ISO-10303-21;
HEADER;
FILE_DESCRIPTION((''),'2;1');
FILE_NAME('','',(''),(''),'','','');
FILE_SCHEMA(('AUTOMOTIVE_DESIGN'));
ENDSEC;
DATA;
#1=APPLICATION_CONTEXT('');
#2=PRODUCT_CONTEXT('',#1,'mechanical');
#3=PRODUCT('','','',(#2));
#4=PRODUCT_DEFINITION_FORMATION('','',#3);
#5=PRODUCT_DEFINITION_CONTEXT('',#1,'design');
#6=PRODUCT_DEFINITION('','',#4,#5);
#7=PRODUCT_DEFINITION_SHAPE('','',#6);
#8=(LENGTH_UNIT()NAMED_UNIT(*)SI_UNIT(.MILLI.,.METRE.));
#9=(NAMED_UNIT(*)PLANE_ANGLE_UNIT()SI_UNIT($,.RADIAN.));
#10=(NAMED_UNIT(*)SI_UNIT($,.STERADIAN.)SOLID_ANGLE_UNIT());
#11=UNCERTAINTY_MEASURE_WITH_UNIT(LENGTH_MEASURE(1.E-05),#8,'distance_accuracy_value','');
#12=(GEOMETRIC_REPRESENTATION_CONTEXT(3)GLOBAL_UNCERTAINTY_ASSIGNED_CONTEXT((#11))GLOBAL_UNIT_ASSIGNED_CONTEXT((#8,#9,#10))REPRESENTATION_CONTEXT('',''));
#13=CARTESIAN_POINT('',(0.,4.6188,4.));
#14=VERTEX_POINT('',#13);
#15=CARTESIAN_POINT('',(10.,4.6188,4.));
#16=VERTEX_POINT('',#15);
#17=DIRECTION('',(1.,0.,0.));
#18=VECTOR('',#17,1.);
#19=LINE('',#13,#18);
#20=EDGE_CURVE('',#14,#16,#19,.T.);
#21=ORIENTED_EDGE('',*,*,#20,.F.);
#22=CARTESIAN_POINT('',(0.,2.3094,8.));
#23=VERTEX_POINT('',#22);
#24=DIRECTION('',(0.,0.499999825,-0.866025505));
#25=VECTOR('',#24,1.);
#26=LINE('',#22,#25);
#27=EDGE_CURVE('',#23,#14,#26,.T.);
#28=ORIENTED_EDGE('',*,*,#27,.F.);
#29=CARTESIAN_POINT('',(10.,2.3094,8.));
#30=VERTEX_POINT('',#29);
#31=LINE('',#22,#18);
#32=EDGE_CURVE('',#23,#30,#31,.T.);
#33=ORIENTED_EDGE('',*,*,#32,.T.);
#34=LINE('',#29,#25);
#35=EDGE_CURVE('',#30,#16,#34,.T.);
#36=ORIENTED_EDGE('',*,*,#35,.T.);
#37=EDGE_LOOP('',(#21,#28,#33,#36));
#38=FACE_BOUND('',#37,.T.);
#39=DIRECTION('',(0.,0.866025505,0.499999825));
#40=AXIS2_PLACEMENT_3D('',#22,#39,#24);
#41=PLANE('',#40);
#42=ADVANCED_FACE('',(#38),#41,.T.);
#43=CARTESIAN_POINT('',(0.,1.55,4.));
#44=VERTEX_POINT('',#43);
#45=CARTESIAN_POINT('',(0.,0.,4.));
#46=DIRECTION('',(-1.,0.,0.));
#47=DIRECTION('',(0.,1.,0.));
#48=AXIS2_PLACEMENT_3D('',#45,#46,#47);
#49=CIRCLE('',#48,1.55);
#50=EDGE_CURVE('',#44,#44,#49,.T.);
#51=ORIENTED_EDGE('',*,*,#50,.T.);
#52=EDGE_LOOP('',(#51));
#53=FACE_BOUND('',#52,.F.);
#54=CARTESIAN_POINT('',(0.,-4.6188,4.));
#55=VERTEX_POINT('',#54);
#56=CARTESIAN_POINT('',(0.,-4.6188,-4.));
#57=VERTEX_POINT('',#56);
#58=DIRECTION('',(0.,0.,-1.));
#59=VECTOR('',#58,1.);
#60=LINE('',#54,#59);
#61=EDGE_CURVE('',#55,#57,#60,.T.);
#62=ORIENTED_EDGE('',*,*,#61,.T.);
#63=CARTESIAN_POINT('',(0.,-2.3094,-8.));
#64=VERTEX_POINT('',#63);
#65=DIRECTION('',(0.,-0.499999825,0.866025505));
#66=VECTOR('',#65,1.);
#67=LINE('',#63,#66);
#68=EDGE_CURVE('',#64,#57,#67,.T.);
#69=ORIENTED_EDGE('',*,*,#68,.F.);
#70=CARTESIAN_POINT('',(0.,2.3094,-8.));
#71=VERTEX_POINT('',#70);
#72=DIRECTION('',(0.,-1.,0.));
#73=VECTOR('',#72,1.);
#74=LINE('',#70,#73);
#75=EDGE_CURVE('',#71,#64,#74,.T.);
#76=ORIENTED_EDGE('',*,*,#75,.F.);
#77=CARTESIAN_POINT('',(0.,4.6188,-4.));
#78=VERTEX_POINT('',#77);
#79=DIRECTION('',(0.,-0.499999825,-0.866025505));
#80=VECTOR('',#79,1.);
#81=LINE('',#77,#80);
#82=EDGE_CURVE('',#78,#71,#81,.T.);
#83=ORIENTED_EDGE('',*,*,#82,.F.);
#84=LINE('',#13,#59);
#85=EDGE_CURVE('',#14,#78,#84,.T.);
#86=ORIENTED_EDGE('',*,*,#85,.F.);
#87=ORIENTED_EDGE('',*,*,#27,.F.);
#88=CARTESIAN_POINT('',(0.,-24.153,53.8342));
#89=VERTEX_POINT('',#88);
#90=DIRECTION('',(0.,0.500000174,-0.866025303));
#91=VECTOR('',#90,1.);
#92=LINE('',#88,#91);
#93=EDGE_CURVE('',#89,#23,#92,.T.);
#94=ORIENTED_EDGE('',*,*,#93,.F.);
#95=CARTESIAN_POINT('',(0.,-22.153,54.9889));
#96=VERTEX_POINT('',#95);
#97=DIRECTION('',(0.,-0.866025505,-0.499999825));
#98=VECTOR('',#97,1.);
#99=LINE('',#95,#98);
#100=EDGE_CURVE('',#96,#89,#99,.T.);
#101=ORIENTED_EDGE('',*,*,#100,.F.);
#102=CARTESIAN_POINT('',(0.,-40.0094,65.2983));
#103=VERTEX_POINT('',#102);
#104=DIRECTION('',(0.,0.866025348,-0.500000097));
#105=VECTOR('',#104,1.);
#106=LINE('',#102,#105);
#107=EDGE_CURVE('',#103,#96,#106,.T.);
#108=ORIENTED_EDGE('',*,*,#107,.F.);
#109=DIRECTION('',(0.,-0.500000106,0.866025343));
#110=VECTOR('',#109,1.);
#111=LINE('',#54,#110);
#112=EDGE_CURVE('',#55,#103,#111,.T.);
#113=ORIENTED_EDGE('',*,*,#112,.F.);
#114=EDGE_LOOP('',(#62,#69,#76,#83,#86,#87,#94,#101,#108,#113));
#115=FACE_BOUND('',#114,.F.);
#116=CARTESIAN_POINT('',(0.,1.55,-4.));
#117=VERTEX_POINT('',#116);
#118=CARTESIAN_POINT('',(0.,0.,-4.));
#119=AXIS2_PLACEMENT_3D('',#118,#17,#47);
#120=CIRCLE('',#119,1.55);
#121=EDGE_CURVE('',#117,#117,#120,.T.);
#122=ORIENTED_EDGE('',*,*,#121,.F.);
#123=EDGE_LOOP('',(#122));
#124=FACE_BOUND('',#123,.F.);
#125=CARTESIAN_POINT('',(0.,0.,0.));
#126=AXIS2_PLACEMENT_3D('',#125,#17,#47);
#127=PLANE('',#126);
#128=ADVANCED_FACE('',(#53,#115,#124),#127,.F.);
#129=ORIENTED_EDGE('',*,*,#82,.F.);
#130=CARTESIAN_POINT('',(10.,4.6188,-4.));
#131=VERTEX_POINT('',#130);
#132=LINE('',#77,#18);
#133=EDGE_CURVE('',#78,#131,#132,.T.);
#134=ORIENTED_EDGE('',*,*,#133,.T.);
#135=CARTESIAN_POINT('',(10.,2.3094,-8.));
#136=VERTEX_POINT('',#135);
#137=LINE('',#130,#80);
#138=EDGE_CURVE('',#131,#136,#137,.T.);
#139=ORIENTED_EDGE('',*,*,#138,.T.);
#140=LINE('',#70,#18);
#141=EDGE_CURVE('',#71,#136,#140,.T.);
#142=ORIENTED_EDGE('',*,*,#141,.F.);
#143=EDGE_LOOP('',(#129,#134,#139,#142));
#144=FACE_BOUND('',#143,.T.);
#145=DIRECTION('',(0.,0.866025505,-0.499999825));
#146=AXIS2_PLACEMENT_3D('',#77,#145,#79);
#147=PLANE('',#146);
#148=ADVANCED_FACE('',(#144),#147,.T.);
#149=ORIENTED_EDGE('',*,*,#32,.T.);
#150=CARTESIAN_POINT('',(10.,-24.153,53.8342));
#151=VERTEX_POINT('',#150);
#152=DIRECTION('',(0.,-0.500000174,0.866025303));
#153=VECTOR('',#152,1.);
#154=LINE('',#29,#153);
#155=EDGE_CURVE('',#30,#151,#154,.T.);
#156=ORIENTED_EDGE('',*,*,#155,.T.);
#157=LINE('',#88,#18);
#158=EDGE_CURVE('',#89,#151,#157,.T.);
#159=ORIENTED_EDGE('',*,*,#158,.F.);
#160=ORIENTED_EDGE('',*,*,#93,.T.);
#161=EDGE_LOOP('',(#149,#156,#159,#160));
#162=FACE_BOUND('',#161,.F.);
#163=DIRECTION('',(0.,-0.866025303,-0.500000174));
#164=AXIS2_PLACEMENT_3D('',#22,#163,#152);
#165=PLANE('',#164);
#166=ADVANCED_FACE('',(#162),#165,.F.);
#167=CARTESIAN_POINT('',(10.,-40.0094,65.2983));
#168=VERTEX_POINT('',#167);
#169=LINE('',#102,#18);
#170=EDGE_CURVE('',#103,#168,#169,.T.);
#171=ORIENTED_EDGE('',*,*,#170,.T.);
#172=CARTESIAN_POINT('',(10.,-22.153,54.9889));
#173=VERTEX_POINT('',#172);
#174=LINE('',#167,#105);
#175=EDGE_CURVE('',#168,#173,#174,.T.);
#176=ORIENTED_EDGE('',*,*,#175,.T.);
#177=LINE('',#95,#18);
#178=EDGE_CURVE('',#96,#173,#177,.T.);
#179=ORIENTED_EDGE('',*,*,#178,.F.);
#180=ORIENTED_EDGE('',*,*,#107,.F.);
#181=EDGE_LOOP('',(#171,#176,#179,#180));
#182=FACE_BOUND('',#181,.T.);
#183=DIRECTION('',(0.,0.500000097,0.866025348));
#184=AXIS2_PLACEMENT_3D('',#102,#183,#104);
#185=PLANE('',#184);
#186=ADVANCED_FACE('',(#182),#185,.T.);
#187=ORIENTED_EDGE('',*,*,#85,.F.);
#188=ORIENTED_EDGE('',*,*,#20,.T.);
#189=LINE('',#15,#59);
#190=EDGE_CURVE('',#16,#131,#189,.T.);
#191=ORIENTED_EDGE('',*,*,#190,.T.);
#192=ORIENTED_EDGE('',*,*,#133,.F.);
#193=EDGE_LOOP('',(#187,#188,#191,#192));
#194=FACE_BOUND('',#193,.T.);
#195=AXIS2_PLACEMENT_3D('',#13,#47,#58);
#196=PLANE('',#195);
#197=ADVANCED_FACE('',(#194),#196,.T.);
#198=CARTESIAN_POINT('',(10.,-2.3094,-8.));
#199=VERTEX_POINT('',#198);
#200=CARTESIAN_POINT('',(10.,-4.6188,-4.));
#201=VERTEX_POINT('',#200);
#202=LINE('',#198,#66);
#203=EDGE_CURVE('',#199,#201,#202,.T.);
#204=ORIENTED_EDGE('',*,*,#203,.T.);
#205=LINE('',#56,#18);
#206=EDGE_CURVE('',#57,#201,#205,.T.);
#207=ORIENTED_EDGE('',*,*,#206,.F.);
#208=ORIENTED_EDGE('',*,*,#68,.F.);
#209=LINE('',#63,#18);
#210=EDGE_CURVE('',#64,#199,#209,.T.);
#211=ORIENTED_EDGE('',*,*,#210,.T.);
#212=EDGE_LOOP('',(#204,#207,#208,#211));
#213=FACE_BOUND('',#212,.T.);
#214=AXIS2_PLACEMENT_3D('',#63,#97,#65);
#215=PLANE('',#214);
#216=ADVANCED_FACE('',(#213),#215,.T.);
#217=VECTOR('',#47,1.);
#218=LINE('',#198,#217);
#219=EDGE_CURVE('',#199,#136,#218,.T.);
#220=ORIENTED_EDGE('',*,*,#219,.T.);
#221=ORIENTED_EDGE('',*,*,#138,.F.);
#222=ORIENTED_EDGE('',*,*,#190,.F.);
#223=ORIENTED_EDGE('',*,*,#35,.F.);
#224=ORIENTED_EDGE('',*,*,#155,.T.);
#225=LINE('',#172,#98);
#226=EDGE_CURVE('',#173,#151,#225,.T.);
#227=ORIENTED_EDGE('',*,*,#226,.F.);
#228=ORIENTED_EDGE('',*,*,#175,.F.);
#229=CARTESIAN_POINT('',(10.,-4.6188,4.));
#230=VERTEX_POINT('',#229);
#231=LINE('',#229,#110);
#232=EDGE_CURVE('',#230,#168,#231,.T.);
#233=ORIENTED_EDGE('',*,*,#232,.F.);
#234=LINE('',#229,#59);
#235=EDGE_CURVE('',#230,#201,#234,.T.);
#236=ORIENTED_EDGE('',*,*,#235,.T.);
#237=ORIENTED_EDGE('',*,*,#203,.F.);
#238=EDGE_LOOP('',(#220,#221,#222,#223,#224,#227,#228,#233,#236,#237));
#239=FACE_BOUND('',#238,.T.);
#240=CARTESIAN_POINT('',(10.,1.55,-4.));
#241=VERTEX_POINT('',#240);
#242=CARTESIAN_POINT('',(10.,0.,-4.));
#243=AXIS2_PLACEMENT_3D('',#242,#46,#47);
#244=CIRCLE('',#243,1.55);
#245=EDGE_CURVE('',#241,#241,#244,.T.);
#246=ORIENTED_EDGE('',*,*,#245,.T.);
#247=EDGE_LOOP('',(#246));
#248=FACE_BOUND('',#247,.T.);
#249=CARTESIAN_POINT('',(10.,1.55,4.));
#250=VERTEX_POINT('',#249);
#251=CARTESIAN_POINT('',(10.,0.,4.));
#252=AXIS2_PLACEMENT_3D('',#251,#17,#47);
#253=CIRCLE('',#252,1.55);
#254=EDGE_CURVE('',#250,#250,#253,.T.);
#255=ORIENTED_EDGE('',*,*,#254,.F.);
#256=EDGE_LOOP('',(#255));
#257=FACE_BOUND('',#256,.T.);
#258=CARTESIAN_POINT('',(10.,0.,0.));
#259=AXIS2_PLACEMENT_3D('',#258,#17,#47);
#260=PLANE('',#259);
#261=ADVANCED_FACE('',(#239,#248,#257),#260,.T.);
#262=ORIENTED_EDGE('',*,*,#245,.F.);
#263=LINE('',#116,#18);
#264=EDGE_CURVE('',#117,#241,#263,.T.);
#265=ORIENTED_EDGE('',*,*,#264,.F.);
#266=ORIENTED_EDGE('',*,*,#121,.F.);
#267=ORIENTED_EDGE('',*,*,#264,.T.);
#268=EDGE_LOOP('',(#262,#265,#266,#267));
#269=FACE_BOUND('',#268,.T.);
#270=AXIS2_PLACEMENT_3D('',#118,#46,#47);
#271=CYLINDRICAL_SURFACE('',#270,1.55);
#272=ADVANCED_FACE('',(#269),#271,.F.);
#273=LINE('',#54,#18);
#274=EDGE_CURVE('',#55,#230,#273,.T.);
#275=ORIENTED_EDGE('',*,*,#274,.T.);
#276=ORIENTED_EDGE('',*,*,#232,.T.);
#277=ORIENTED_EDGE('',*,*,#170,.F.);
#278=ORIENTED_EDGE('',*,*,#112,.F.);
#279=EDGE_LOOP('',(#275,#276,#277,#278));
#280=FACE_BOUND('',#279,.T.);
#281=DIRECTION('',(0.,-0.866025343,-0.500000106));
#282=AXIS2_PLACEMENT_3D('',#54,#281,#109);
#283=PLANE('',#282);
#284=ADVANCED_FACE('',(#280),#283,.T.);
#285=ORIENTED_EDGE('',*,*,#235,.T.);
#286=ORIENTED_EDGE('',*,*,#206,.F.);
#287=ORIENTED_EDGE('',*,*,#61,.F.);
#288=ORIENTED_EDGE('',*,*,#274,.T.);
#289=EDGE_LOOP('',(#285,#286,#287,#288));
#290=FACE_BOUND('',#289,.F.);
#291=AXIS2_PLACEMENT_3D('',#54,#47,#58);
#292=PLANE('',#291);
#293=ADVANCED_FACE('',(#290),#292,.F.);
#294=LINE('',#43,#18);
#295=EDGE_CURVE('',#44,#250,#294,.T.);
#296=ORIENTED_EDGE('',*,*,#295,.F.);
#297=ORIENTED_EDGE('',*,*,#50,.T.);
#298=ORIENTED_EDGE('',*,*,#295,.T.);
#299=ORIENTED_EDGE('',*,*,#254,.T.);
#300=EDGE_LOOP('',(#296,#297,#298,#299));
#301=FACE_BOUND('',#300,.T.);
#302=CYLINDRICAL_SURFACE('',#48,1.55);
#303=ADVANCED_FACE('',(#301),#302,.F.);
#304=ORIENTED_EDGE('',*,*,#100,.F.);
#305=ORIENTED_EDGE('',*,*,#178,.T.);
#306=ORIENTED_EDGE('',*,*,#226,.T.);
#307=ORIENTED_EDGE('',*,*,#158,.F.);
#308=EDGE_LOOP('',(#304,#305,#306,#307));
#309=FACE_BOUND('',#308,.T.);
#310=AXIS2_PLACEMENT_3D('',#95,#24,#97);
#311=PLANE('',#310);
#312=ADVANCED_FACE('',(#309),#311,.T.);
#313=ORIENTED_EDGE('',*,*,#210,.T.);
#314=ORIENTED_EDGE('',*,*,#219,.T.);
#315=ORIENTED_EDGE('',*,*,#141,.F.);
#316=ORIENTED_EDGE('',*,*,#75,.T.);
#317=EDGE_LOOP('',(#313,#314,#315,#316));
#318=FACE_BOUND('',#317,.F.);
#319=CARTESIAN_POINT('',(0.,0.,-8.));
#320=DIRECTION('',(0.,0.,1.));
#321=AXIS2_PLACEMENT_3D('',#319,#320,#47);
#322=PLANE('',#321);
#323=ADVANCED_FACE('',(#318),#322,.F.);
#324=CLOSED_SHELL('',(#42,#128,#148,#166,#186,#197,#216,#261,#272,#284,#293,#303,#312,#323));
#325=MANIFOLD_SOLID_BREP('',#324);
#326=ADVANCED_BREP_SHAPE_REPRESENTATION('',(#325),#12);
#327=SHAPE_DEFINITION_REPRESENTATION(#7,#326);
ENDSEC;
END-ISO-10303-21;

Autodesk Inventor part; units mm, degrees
ref_plane "YZ Plane" through (0, 0, 0) normal (1, 0, 0) x (0, 1, 0)
ref_plane "XZ Plane" through (0, 0, 0) normal (0, 1, 0) x (-1, 0, 0)
ref_plane "XY Plane" through (0, 0, 0) normal (0, 0, 1) x (1, 0, 0)
sketch "Sketch1" plane through (0, 0, 0) normal (1, 0, 0) x (0, 1, 0)
  line L0 (2.3094, 8) -> (-2.3094, 8)
  line L1 (-2.3094, 8) -> (-2.3094, -8)
  line L2 (-2.3094, -8) -> (2.3094, -8)
  line L3 (2.3094, -8) -> (2.3094, 8)
  line L4 (2.3094, 8) -> (-2.3094, -8) construction
  line L5 (-2.3094, 8) -> (2.3094, -8) construction
  line L6 (2.3094, 8) -> (-24.153, 53.8342)
  line L7 (2.3094, -8) -> (-2.3094, -8)
  line L8 (-2.3094, -8) -> (-4.6188, -4)
  line L9 (-4.6188, -4) -> (-2.3094, 0)
  line L10 (-2.3094, 0) -> (2.3094, 0)
  line L11 (2.3094, 0) -> (4.6188, -4)
  line L12 (4.6188, -4) -> (2.3094, -8)
  line L13 (0, -22.6597) -> (0, 79.958) projected
  line L14 (2.3094, 8) -> (4.6188, 4)
  line L15 (4.6188, 4) -> (2.3094, 0)
  line L16 (2.3094, 0) -> (-2.3094, 0)
  line L17 (-2.3094, 0) -> (-4.6188, 4)
  line L18 (-4.6188, 4) -> (-2.3094, 8)
  line L19 (-2.3094, 8) -> (2.3094, 8)
  line L20 (4.6188, 4) -> (4.6188, -4)
  line L21 (-4.6188, 4) -> (-4.6188, -4)
  circle A0 centre (0, -4) radius 1.55
  circle A1 centre (0, 4) radius 1.55
  line L22 (2.3094, 8) -> (2.3094, 5.0078)
  line L23 (-40.0094, 65.2983) -> (-22.153, 54.9889)
  line L24 (-22.153, 54.9889) -> (-24.153, 53.8342)
  line L25 (-4.6188, 4) -> (-40.0094, 65.2983)
  point P0 (0, 0)
  point P1 (2.3094, 8)
  point P2 (-3.4641, 6)
  point P3 (0, 8)
  point P4 (0, 12)
  dimension "d3" = 4.6188
  dimension "d4" = 16
  dimension "d15" = 8
  dimension "d16" = 8
  dimension "d18" = 3.1
  dimension "d19" = 3.1
  dimension "d20" = 4.6188
  dimension "d23" = 2
  dimension "d24" = 40.0094
  dimension "d25" = 60
  dimension "d26" = 30
  dimension "d27" = 73.2983
extrude "Extrusion2" add sketch "Sketch1" along normal blind 10 contours L3 L10 L13 A1 L0 | L14 L15 L3 | L0 L13 L6 | L13 A1 L10 L1 L0 | L0 L18 L25 L23 L24 L6 L13 | L20 L11 L15 | L1 L17 L18 | L11 L12 L3 | L3 L2 L13 A0 L10 | L10 L13 A0 L2 L1 | L1 L8 L9 | L9 L21 L17
equation "\"d3\" = FlipperArmThickness"
equation "\"d4\" = 2 * M3ScrewInsertBrim"
equation "\"d15\" = M3ScrewInsertBrim"
equation "\"d16\" = M3ScrewInsertBrim"
equation "\"d18\" = M3ScrewDia"
equation "\"d19\" = M3ScrewDia"
equation "\"d23\" = FlipperSpikeTipOffset"
equation "\"d24\" = FlipperSpikeDrop"
equation "\"d25\" = FlipperSpikeTipAngle"
equation "\"d26\" = FlipperSpikeAngle"
equation "\"d32\" = FlipperSpikeWidth"
equation "\"FlipperSpikeReach\" = d27 - 0.433013 * BodyHeight"
equation "\"FlipperSpikeTipAngle\" = 60deg"
equation "\"FlipperSpikeTipOffset\" = 2"
equation "\"FlipperArmThickness\" = 4.618802"
equation "\"M3ScrewInsertBrim\" = 8"
equation "\"M3ScrewDia\" = 3.1"
equation "\"FlipperSpikeDrop\" = 40.009401"
equation "\"FlipperSpikeAngle\" = 30deg"
equation "\"FlipperSpikeWidth\" = 10"
equation "\"BodyHeight\" = 30"
properties part number "HexFlipperSpike" material "H TPU"
